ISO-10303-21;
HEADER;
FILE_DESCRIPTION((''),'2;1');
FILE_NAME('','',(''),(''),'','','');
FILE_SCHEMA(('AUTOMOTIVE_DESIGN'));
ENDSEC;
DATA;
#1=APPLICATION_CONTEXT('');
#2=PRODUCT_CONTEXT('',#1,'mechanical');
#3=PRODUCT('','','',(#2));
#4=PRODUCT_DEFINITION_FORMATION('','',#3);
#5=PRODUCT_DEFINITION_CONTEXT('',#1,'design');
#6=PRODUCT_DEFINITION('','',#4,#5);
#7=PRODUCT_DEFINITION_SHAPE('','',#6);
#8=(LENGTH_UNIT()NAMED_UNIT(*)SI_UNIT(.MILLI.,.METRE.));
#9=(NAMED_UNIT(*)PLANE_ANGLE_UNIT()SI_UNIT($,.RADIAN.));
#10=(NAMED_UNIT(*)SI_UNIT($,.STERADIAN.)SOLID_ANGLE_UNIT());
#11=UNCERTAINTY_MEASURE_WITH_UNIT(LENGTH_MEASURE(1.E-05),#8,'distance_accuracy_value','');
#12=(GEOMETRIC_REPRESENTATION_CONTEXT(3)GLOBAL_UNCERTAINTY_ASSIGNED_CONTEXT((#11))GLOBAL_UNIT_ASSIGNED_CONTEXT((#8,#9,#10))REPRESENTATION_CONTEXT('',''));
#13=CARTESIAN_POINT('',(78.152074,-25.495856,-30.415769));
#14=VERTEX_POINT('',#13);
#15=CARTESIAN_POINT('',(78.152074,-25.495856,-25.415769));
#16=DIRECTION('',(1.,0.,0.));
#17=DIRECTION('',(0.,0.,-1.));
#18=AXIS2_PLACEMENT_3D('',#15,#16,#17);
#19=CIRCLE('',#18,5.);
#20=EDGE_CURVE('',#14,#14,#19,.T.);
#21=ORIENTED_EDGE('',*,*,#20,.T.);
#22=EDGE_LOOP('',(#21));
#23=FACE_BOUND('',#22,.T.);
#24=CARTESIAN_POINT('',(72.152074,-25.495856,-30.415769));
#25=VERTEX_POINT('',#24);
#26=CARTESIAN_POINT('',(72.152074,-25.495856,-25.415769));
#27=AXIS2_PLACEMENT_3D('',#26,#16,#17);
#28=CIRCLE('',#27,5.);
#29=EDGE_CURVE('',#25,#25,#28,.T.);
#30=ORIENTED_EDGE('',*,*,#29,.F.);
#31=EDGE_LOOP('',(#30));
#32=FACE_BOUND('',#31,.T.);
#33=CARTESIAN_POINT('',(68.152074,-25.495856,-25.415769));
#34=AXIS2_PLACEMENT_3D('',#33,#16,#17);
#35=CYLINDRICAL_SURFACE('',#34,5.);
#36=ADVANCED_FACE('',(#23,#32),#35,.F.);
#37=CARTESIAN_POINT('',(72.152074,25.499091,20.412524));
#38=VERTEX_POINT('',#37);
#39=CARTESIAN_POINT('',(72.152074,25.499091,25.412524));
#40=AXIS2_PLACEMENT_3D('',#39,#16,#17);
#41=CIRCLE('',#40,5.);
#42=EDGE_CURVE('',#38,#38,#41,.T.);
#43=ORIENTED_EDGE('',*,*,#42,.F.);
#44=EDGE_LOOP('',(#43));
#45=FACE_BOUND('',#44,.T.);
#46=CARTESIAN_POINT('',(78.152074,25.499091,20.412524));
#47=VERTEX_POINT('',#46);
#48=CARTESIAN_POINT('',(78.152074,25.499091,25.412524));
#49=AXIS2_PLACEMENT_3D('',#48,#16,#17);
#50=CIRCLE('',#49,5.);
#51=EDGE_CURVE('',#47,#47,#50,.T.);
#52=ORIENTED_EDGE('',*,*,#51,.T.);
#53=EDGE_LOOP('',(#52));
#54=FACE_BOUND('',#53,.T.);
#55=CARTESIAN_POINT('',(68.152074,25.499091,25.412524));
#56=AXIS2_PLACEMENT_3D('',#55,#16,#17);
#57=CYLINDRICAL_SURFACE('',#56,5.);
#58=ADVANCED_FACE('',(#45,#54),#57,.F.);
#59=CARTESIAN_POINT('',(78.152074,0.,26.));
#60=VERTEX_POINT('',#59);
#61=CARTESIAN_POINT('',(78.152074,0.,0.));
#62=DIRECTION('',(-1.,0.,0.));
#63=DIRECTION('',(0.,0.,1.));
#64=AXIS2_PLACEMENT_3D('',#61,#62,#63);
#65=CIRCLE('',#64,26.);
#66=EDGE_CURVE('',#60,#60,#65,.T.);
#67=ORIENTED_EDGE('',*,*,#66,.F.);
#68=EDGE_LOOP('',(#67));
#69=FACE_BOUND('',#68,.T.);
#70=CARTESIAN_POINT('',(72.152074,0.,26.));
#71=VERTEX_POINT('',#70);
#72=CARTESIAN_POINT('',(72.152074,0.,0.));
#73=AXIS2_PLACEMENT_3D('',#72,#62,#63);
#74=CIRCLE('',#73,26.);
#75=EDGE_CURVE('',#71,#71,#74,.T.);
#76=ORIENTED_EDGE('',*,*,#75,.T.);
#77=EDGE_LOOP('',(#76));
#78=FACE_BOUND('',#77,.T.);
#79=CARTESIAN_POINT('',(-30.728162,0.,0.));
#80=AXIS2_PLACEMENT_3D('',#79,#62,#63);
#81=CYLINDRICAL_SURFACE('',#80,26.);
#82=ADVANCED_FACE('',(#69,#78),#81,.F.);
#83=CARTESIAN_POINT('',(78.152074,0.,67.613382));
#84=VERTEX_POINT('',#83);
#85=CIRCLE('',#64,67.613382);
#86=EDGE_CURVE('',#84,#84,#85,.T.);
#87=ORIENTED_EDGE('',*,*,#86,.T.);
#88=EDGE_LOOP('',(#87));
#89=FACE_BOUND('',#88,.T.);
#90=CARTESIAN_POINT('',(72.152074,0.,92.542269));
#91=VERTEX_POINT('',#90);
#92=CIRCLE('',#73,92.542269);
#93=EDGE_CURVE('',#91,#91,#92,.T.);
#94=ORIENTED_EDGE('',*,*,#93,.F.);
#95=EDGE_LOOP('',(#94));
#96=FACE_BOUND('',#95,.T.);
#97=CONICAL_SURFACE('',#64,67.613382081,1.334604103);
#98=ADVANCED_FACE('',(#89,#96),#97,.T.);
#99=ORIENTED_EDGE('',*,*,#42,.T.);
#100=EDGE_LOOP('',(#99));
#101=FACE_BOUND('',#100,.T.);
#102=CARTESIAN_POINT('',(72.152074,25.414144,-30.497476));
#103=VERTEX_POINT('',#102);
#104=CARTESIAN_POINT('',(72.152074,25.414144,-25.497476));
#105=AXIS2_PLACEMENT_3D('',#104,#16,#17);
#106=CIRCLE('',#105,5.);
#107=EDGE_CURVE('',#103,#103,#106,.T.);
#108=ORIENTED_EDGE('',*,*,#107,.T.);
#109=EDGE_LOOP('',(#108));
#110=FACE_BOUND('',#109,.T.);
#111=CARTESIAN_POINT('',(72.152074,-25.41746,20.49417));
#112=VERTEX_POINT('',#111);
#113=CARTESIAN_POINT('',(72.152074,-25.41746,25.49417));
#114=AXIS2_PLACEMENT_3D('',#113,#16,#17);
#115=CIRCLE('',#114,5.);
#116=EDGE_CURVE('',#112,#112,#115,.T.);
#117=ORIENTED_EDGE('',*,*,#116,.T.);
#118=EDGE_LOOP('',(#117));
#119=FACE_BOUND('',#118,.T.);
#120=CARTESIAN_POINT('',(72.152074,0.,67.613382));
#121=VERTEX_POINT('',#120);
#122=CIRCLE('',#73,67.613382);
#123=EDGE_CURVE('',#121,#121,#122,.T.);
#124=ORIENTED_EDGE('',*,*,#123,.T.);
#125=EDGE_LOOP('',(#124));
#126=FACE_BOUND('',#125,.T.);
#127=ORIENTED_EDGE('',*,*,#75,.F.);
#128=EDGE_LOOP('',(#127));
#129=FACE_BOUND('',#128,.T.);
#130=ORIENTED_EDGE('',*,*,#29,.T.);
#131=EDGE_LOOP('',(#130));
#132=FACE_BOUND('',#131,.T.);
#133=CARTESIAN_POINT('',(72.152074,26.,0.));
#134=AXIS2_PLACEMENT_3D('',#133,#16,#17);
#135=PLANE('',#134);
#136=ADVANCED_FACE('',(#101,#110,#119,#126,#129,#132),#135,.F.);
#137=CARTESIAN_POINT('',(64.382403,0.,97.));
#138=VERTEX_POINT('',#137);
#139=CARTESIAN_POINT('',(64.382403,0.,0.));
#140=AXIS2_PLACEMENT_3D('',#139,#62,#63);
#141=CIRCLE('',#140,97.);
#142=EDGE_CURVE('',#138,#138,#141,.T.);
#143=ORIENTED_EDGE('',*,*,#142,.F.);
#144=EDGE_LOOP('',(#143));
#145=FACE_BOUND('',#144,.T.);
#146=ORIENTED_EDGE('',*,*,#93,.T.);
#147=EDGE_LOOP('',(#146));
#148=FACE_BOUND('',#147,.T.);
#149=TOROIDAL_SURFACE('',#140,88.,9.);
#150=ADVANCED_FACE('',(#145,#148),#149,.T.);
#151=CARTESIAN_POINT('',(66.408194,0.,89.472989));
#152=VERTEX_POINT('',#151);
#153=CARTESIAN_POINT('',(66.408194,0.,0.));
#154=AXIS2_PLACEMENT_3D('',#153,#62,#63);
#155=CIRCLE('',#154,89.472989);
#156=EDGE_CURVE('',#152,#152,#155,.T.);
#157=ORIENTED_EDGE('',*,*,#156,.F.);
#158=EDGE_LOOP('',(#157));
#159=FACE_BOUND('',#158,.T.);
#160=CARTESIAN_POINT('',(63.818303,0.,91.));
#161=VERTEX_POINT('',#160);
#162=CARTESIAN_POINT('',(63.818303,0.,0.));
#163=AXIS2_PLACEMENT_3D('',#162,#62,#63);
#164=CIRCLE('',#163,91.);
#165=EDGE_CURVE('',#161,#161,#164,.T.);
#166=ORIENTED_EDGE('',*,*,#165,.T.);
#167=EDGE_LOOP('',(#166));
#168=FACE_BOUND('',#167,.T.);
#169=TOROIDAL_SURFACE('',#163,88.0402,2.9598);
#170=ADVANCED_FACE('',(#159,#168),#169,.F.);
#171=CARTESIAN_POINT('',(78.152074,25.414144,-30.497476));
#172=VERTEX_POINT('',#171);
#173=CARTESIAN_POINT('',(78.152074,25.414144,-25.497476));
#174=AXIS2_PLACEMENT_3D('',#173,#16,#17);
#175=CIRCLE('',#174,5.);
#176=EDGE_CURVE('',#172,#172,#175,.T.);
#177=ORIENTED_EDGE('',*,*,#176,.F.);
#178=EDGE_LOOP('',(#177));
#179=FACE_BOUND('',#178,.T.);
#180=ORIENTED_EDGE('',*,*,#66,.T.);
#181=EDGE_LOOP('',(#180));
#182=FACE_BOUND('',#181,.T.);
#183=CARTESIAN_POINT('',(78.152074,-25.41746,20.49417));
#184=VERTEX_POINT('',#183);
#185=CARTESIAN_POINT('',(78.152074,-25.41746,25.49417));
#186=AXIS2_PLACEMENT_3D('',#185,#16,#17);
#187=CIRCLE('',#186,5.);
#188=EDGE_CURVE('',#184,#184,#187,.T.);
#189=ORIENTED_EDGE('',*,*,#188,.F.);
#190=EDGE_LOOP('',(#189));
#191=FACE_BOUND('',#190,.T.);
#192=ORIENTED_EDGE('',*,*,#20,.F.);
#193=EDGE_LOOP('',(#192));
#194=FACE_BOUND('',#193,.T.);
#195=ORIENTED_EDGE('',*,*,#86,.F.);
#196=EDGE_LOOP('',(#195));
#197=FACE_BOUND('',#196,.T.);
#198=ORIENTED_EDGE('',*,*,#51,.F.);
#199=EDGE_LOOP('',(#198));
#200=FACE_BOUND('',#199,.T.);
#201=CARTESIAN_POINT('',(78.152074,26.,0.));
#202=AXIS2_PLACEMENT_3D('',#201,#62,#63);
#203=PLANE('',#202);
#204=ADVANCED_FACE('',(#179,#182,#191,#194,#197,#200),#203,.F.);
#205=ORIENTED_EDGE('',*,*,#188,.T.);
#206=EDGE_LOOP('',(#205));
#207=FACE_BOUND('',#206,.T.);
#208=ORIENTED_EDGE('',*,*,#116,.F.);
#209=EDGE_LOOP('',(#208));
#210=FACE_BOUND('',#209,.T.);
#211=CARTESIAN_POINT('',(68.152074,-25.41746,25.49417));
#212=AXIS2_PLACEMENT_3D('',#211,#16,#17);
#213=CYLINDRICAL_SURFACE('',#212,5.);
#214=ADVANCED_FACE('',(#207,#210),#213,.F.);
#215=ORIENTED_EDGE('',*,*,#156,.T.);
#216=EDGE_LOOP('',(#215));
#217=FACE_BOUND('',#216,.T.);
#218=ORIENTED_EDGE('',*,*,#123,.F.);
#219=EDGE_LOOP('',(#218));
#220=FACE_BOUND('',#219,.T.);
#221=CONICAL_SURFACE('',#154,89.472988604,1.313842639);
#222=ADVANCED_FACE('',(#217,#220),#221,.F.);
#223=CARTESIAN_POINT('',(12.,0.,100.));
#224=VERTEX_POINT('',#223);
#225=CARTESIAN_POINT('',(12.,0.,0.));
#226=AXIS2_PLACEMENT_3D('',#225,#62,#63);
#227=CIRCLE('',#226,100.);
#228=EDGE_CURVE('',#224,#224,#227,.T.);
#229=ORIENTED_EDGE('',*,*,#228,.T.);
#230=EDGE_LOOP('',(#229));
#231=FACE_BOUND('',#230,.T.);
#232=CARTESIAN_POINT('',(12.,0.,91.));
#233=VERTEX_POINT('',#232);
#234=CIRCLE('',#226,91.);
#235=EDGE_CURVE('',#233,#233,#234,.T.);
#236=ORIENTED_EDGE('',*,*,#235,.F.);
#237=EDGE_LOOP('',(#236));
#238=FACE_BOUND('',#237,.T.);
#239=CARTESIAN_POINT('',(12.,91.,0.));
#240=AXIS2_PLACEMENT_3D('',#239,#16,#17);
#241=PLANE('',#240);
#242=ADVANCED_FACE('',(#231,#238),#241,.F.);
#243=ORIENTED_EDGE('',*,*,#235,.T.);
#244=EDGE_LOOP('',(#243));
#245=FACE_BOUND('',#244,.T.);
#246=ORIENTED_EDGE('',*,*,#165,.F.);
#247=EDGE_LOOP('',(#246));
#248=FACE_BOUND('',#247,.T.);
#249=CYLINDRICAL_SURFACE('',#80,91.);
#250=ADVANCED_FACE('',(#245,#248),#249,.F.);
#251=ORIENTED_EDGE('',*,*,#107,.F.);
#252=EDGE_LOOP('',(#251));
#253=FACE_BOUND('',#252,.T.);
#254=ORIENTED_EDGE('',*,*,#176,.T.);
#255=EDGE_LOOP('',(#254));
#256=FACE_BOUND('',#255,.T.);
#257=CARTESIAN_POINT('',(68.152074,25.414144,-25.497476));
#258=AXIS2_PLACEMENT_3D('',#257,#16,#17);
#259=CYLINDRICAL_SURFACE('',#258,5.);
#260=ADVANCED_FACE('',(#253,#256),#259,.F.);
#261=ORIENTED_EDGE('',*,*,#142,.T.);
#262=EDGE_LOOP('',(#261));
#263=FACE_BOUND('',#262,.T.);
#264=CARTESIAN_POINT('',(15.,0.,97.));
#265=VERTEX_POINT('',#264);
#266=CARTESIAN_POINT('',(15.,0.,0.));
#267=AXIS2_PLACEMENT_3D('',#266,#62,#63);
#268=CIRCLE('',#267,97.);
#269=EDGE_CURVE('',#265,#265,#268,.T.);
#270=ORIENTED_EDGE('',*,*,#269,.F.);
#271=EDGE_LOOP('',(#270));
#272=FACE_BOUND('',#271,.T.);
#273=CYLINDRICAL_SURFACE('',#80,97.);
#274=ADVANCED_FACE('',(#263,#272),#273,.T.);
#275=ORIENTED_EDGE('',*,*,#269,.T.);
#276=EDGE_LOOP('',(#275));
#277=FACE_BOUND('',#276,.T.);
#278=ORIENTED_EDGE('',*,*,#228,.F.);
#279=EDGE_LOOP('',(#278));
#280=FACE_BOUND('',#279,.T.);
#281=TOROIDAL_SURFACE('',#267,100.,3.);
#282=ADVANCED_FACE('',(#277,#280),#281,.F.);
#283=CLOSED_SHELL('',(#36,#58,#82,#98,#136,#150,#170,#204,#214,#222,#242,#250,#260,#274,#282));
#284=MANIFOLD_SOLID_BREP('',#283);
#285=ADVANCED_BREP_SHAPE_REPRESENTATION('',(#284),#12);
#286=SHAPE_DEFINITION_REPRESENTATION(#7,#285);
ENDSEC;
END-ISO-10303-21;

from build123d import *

# Parameters (mm, degrees)
SKETCH2_R          = 5
CUT_EXTRUDE1_DEPTH = 10


with BuildPart() as part:
    # Sketch1 → Revolve1 (revolve)
    with BuildSketch(Plane.XY, mode=Mode.PRIVATE) as revolve1_sk:
        with BuildLine():
            Line((15, 97), (60.316020873, 97))
            Line((60.316020873, 97), (64.382402521, 97))
            ThreePointArc((64.382402521, 97), (68.861218013, 95.806421189), (72.152073668, 92.542269286))
            Line((72.152073668, 92.542269286), (78.152073668, 67.613382081))
            Line((78.152073668, 67.613382081), (78.152073668, 26))
            Line((78.152073668, 26), (72.152073668, 26))
            Line((72.152073668, 26), (72.152073668, 67.613382081))
            Line((72.152073668, 67.613382081), (66.408193592, 89.472988604))
            ThreePointArc((66.408193592, 89.472988604), (65.32157431, 90.589825828), (63.81830321, 91))
            Line((63.81830321, 91), (12, 91))
            Line((12, 91), (12, 100))
            ThreePointArc((12, 100), (12.878679656, 97.878679656), (15, 97))
        make_face()
    revolve(revolve1_sk.sketch.rotate(Axis((-30.728161887, 0, 0), (1, 0, 0)), 90), axis=Axis((-30.728161887, 0, 0), (1, 0, 0)))

    # Sketch2 → Cut-Extrude1 (cut)
    with BuildSketch(Plane(origin=(78.152073668, 0, 0), x_dir=(0, 0, -1), z_dir=(1, 0, 0))):
        with Locations((-25.412524086, 25.499090564)):
            Circle(SKETCH2_R)
        with Locations((25.497475914, 25.414144133)):
            Circle(SKETCH2_R)
        with Locations((25.415769388, -25.495855867)):
            Circle(SKETCH2_R)
        with Locations((-25.494170251, -25.417460204)):
            Circle(SKETCH2_R)
    extrude(amount=-CUT_EXTRUDE1_DEPTH, mode=Mode.SUBTRACT)


solid = part.part
